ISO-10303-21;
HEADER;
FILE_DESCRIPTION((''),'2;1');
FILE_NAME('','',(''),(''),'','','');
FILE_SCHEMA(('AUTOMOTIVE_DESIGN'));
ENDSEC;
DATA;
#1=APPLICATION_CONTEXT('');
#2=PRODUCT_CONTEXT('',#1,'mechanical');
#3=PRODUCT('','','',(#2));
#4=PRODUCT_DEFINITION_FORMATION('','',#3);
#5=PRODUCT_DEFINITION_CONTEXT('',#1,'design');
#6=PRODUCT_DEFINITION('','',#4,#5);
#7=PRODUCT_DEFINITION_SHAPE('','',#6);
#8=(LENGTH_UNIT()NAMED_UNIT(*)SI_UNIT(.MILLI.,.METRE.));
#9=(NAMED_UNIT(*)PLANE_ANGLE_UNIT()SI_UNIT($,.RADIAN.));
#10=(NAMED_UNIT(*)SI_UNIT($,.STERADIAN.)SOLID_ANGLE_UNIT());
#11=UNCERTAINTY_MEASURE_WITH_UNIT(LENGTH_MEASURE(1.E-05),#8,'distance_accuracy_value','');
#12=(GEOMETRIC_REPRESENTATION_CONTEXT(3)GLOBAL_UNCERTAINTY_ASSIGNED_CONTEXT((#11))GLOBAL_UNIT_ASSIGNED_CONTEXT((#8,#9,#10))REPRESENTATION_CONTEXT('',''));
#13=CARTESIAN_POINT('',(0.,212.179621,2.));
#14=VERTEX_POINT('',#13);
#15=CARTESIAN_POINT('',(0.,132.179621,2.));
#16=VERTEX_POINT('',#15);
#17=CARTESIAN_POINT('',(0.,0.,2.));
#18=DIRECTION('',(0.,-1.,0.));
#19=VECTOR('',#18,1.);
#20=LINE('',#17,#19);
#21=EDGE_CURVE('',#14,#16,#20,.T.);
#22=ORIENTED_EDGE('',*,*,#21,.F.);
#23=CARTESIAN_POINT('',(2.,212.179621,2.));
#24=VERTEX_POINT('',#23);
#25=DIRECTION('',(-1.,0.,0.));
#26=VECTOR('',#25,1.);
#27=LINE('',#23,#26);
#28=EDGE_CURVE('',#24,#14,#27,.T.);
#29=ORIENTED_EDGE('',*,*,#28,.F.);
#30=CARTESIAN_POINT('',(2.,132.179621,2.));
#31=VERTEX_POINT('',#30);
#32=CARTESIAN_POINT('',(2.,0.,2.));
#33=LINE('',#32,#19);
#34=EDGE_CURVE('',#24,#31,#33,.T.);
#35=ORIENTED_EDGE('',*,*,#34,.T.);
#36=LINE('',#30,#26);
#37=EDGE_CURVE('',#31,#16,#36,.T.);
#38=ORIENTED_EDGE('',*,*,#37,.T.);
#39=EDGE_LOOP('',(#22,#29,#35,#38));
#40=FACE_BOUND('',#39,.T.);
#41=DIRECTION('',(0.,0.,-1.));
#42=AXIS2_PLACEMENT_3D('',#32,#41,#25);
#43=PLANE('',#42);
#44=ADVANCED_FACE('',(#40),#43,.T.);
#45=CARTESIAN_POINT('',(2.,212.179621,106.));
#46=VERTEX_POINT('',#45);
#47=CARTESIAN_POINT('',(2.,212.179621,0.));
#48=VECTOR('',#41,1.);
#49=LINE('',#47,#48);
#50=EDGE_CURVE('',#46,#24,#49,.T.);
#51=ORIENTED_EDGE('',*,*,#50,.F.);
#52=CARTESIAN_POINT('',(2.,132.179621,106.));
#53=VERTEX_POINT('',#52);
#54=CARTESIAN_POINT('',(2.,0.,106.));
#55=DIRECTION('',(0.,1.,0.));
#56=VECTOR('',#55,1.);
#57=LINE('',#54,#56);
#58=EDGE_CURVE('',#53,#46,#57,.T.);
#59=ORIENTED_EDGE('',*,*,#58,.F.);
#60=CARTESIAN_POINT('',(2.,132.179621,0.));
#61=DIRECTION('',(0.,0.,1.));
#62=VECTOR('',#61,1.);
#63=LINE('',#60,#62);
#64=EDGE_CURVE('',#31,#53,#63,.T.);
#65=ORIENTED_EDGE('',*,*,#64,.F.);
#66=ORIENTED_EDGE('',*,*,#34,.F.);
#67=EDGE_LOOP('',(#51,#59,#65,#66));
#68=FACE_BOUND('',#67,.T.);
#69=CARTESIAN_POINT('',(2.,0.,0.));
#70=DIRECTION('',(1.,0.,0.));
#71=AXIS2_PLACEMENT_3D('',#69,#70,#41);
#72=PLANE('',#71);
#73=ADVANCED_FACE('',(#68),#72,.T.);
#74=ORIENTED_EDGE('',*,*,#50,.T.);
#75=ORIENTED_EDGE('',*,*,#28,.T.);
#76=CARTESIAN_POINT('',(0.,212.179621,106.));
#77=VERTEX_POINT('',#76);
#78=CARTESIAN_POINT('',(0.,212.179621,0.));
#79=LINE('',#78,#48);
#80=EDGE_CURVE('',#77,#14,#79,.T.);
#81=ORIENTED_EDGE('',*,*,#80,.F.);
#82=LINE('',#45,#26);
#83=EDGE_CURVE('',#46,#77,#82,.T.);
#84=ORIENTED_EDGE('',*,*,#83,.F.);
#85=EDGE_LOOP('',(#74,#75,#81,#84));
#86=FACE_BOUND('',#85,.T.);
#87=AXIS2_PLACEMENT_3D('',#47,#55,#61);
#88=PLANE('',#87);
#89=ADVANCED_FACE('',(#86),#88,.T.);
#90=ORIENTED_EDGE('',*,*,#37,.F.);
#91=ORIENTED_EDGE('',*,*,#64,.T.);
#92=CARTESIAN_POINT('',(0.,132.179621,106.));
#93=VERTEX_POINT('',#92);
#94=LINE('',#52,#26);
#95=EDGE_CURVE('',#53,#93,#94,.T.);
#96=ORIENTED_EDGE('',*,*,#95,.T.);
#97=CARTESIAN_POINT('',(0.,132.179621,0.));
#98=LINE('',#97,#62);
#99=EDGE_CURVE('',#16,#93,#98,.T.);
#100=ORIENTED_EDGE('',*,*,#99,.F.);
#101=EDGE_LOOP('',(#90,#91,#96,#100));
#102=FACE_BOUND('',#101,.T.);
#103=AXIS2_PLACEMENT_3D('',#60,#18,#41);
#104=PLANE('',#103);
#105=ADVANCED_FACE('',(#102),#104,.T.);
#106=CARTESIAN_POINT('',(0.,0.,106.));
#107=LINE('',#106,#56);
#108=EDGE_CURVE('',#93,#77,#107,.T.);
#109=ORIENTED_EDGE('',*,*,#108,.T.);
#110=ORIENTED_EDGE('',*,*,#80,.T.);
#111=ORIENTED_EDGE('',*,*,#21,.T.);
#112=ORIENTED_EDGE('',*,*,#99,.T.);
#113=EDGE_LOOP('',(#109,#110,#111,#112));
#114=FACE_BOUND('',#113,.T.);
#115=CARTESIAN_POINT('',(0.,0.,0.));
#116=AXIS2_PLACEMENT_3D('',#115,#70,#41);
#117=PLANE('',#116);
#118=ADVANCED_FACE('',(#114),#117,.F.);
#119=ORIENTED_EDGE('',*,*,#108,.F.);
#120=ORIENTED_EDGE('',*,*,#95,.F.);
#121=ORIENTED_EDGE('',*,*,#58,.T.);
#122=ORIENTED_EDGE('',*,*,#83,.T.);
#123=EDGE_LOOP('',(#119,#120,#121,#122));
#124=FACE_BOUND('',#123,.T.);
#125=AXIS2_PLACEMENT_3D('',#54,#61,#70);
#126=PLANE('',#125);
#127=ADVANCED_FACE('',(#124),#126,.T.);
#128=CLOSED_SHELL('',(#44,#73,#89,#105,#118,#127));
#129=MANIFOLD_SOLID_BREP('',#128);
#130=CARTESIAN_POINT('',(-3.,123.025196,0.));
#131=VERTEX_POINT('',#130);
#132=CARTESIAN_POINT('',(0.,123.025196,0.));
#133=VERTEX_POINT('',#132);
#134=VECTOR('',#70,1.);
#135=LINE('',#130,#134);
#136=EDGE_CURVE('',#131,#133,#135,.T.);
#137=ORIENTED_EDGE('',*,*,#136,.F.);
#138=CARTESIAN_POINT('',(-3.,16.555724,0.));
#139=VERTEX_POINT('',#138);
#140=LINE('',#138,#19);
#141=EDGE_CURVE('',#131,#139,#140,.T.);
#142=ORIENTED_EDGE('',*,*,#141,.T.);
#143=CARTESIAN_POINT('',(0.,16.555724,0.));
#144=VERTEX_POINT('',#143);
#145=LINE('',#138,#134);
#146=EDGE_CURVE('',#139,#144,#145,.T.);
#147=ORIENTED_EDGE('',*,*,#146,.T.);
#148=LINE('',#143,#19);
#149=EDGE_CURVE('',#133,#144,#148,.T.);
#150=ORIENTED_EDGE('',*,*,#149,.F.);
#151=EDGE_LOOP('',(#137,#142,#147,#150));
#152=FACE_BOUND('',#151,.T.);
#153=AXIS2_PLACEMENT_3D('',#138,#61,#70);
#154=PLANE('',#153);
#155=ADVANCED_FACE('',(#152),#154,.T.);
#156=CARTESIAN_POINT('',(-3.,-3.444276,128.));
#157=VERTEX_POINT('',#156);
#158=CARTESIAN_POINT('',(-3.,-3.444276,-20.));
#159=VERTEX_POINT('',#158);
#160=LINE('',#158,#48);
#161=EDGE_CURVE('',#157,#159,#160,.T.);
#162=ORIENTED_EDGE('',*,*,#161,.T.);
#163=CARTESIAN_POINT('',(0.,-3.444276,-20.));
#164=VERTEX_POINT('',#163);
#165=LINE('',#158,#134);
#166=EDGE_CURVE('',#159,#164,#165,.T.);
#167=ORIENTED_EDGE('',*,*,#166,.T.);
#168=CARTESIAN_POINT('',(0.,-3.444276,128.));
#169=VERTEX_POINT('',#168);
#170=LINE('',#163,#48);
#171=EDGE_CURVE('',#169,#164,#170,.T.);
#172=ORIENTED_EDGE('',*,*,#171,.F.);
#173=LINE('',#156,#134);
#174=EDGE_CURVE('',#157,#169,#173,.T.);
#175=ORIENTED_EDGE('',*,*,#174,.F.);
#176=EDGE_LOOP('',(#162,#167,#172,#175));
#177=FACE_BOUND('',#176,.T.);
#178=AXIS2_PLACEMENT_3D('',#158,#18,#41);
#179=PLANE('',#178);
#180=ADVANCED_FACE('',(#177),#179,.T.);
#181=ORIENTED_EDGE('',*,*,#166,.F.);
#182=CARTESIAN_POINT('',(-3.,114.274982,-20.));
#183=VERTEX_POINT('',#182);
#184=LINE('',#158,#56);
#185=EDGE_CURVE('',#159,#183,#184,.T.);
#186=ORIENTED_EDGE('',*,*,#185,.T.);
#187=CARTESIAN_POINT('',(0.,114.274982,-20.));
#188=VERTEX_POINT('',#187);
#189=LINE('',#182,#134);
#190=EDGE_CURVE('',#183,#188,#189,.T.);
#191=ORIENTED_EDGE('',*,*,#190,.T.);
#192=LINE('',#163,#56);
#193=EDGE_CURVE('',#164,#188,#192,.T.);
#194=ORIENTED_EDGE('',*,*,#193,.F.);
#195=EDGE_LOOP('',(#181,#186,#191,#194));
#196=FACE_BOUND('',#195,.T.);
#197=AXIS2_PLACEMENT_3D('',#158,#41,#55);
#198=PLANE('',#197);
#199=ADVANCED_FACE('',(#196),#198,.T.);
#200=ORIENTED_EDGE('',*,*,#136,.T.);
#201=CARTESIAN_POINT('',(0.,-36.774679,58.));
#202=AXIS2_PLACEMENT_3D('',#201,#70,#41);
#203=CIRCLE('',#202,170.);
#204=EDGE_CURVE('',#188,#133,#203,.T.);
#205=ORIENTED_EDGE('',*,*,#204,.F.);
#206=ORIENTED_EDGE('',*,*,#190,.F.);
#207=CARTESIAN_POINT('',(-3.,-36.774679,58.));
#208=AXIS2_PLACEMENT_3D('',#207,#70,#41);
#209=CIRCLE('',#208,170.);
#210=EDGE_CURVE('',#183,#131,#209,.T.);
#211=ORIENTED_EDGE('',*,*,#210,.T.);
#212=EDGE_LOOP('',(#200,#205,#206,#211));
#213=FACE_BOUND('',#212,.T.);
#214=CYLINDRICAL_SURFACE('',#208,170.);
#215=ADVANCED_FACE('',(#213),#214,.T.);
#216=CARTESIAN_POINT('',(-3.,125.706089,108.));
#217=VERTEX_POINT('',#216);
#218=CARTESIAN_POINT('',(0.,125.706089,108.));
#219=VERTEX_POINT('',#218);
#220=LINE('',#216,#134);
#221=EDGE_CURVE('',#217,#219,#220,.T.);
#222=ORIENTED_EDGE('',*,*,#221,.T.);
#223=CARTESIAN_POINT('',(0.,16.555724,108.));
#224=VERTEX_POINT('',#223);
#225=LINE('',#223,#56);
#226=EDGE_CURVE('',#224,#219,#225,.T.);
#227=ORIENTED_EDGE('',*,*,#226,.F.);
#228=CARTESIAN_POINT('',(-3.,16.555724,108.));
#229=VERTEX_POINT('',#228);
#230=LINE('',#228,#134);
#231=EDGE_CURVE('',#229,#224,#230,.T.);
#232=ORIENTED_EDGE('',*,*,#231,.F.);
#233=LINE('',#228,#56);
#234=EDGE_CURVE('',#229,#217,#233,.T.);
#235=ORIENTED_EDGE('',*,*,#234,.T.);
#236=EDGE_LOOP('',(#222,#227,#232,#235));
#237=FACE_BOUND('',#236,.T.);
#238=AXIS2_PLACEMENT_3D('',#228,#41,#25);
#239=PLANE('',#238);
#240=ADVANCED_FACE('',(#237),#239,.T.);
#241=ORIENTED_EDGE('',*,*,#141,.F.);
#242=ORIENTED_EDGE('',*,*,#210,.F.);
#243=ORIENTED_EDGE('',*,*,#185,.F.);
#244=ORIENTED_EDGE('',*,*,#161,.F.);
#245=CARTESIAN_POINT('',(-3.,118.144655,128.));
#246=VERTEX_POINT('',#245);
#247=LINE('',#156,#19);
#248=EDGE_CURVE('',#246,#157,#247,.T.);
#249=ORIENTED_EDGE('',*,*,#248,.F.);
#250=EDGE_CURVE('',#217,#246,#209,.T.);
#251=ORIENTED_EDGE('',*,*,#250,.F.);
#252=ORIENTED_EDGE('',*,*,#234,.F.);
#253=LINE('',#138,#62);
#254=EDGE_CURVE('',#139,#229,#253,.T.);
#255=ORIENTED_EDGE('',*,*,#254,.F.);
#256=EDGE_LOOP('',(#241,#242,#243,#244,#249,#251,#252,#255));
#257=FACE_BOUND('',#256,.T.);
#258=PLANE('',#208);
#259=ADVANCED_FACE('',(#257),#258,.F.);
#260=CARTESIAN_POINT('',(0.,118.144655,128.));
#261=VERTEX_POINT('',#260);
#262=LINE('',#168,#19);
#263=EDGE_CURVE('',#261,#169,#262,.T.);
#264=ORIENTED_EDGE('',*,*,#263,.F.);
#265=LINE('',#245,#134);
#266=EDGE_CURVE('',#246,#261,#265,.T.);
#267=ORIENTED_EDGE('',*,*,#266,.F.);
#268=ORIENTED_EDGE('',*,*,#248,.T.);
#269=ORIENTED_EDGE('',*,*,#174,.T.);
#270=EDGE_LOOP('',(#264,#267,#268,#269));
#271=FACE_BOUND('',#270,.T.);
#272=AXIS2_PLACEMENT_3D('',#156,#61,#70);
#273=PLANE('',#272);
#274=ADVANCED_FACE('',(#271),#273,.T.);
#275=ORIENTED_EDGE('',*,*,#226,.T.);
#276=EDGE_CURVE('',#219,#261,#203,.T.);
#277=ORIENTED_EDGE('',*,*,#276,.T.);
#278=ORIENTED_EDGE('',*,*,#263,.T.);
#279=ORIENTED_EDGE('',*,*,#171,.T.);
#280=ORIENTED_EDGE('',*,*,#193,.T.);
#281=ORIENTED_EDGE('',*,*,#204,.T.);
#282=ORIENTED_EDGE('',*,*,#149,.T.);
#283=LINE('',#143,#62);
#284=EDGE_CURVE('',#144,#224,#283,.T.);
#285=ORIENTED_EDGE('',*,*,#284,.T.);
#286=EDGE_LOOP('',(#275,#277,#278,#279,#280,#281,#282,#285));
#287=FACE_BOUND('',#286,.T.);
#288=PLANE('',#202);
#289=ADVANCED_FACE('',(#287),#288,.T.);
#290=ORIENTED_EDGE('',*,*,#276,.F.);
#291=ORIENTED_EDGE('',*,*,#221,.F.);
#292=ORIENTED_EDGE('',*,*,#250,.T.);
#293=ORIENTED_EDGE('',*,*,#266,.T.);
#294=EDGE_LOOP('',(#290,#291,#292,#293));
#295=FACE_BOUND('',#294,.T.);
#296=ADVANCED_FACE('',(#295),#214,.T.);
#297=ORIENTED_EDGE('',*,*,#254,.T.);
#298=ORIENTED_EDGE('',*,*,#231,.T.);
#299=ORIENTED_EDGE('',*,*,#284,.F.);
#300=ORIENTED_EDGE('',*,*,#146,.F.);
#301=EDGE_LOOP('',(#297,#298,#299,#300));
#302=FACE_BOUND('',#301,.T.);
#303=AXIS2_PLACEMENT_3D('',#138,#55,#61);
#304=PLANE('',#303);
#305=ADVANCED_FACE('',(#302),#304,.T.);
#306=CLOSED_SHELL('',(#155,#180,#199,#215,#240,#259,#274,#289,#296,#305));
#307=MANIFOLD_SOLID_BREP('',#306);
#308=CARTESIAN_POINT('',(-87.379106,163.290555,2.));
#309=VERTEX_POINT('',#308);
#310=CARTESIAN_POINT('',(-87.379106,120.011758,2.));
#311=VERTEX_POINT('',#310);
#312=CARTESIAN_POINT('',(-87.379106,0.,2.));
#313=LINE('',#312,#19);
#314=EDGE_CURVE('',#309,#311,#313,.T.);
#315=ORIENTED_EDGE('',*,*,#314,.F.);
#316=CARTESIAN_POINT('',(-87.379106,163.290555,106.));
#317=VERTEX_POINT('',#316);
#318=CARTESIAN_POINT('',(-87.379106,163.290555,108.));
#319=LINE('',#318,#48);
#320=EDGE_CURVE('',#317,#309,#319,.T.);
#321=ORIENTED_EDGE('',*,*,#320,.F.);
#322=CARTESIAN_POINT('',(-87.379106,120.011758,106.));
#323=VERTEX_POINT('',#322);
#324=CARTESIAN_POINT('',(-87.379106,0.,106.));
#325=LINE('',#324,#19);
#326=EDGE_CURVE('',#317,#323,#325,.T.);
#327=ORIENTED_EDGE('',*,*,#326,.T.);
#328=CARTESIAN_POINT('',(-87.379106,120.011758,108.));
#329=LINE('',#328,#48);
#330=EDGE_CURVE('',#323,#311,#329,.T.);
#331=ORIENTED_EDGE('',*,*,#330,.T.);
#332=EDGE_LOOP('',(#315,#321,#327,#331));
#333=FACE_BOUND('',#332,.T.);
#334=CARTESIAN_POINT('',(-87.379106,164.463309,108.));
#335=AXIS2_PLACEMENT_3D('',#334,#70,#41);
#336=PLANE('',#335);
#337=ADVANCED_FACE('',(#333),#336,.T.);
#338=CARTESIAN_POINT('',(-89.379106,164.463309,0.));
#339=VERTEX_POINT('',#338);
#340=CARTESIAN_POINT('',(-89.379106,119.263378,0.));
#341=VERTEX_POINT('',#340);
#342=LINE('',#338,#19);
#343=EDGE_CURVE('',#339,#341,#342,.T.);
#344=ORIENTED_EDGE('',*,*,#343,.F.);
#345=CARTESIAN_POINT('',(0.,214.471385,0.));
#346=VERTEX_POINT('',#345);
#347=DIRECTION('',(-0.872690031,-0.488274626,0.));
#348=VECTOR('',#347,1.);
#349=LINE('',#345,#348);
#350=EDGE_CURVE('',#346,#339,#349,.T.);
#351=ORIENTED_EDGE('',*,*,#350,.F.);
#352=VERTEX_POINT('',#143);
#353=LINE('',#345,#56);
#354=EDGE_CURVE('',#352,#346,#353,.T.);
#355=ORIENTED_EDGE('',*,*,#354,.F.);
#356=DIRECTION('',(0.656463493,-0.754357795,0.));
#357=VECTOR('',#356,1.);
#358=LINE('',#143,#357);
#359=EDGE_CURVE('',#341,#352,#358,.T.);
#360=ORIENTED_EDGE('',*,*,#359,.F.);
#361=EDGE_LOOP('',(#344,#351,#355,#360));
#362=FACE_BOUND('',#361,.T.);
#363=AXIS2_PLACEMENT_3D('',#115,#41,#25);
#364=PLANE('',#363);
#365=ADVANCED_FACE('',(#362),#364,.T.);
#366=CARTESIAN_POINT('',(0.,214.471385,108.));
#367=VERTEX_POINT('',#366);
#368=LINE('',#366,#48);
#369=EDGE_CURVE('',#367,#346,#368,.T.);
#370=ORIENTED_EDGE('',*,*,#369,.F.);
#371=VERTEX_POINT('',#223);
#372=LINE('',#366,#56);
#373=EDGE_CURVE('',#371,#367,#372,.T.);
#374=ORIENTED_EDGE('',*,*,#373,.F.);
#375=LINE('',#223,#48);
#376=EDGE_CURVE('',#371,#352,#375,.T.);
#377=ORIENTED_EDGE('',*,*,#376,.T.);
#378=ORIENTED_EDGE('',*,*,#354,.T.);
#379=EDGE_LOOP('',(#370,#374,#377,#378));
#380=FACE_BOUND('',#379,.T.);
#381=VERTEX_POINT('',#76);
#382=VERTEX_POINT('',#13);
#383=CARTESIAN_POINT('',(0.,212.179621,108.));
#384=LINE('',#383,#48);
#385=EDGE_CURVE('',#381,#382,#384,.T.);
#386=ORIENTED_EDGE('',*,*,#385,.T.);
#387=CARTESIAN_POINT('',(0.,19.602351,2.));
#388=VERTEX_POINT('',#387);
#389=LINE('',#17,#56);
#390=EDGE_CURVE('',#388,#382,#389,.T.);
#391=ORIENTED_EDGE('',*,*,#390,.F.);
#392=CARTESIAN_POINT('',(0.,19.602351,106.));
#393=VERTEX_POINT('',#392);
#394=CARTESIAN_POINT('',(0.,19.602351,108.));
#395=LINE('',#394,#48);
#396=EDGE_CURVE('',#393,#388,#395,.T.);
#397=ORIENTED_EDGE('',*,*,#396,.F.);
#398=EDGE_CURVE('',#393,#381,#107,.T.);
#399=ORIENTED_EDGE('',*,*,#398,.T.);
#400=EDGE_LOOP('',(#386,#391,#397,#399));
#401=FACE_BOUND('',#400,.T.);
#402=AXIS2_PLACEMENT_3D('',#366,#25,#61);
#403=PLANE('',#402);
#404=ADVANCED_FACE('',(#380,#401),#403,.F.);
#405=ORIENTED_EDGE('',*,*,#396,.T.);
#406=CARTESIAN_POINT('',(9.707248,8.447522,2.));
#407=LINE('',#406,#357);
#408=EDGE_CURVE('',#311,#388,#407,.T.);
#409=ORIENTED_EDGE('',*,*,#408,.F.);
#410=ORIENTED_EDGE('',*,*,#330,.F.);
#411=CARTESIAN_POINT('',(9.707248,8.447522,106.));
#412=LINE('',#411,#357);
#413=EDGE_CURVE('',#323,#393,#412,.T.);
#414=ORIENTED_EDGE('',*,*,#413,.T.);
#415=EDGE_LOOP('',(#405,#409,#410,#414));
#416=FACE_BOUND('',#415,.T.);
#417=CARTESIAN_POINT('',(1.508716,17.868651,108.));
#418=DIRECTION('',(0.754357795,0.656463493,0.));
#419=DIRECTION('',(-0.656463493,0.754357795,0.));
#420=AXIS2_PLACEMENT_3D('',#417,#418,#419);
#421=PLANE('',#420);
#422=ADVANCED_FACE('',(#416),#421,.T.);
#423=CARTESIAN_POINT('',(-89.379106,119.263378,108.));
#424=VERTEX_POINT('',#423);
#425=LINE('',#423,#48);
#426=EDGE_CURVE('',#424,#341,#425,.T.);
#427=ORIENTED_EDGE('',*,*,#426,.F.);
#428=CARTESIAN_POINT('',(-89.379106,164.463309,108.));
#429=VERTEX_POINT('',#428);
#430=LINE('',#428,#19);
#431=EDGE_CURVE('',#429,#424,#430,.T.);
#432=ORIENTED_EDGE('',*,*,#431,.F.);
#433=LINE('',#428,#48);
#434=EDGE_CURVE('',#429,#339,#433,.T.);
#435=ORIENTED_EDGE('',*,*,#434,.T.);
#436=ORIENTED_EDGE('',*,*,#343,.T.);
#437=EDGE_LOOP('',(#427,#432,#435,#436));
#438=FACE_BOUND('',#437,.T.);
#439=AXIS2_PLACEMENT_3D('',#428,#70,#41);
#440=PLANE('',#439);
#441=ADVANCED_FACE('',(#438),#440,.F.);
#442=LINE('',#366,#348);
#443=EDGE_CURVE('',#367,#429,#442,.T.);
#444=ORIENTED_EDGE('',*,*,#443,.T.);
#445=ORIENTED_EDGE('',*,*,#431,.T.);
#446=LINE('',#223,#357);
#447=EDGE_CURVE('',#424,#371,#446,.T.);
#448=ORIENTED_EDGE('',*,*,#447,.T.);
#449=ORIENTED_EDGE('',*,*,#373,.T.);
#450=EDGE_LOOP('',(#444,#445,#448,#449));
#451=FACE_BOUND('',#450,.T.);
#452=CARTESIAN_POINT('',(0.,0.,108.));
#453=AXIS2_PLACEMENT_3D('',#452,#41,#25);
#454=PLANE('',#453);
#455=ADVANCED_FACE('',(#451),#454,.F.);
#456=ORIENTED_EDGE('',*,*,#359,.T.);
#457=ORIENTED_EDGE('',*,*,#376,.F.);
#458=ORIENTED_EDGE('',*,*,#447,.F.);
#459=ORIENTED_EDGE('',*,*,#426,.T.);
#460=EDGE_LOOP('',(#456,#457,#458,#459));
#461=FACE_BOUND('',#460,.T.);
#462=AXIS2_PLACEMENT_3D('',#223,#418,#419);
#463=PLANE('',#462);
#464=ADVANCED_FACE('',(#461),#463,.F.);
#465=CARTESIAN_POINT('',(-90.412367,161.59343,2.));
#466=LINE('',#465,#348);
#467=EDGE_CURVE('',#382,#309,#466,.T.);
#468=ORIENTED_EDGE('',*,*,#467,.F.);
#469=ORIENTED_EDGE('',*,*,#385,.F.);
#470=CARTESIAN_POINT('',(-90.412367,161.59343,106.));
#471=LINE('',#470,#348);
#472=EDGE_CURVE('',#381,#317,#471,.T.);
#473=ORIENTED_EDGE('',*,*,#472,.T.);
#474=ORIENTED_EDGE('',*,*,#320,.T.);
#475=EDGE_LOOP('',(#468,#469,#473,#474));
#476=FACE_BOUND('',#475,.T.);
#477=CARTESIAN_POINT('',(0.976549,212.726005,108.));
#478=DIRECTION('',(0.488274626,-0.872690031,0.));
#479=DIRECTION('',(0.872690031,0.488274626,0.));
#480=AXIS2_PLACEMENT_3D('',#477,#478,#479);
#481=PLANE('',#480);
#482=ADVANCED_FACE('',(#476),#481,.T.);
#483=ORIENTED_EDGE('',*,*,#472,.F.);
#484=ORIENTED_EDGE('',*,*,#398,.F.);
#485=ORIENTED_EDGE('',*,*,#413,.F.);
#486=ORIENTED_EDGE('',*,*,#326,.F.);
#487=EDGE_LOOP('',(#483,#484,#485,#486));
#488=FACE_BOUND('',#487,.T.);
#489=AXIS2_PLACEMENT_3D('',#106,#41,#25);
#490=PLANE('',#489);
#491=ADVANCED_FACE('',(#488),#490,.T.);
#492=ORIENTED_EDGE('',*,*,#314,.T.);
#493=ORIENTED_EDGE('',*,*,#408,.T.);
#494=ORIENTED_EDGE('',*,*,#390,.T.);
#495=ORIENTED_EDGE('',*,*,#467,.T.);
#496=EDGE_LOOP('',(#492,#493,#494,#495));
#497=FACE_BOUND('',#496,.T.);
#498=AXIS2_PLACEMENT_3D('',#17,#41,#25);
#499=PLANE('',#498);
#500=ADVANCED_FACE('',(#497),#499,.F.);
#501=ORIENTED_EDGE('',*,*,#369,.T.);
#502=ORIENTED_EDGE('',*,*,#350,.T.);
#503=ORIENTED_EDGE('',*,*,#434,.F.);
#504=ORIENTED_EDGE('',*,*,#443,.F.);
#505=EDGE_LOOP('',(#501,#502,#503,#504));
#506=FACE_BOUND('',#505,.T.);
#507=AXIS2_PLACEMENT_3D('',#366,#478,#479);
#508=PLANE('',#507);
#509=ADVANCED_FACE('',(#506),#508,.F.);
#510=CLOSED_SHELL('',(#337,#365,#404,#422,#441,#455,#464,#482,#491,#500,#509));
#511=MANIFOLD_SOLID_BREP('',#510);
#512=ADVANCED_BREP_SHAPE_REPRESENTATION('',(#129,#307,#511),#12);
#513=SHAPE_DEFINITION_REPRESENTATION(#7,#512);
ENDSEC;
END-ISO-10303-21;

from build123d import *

# Parameters (mm, degrees)
BOSS_EXTRUDE1_DEPTH = 108
SHELL1_T            = -2
SKETCH5_W           = 104
SKETCH5_H           = 80
BOSS_EXTRUDE3_DEPTH = 2
BOSS_EXTRUDE9_DEPTH = 3


with BuildPart() as part:
    # Sketch1 → Boss-Extrude1 (new body)
    with BuildSketch(Plane.XY):
        Polygon((0, 214.471385382), (-89.379106021, 164.463309234), (-89.379106021, 119.263377535), (0, 16.555723533), align=None)
    extrude(amount=BOSS_EXTRUDE1_DEPTH)

    # Shell1
    shell1_openings = [part.faces().sort_by_distance(p)[0] for p in [
        (0, 115.513554458, 54),
    ]]
    offset(amount=SHELL1_T, openings=shell1_openings, kind=Kind.INTERSECTION)


with BuildPart() as body_2:
    # Sketch5 → Boss-Extrude3 (new body)
    with BuildSketch(Plane(origin=(0, 0, 0), x_dir=(0, 0, -1), z_dir=(1, 0, 0))):
        with Locations((-54, 172.179620919)):
            Rectangle(SKETCH5_W, SKETCH5_H)
    extrude(amount=BOSS_EXTRUDE3_DEPTH)


with BuildPart() as body_3:
    # Sketch6 → Boss-Extrude9 (new body)
    with BuildSketch(Plane(origin=(0, 0, 0), x_dir=(0, 0, -1), z_dir=(1, 0, 0))):
        with BuildLine():
            Line((0, 16.555723533), (-108, 16.555723533))
            Line((-108, 16.555723533), (-108, 125.706089257))
            ThreePointArc((-108, 125.706089257), (-118.11899718, 122.240119778), (-128, 118.144655013))
            Line((-128, 118.144655013), (-128, -3.444276467))
            Line((-128, -3.444276467), (20, -3.444276467))
            Line((20, -3.444276467), (20, 114.274981873))
            ThreePointArc((20, 114.274981873), (10.14060142, 118.97145575), (0, 123.025196008))
            Line((0, 123.025196008), (0, 16.555723533))
        make_face()
    extrude(amount=-BOSS_EXTRUDE9_DEPTH)


solid = Compound([part.part, body_2.part, body_3.part])
